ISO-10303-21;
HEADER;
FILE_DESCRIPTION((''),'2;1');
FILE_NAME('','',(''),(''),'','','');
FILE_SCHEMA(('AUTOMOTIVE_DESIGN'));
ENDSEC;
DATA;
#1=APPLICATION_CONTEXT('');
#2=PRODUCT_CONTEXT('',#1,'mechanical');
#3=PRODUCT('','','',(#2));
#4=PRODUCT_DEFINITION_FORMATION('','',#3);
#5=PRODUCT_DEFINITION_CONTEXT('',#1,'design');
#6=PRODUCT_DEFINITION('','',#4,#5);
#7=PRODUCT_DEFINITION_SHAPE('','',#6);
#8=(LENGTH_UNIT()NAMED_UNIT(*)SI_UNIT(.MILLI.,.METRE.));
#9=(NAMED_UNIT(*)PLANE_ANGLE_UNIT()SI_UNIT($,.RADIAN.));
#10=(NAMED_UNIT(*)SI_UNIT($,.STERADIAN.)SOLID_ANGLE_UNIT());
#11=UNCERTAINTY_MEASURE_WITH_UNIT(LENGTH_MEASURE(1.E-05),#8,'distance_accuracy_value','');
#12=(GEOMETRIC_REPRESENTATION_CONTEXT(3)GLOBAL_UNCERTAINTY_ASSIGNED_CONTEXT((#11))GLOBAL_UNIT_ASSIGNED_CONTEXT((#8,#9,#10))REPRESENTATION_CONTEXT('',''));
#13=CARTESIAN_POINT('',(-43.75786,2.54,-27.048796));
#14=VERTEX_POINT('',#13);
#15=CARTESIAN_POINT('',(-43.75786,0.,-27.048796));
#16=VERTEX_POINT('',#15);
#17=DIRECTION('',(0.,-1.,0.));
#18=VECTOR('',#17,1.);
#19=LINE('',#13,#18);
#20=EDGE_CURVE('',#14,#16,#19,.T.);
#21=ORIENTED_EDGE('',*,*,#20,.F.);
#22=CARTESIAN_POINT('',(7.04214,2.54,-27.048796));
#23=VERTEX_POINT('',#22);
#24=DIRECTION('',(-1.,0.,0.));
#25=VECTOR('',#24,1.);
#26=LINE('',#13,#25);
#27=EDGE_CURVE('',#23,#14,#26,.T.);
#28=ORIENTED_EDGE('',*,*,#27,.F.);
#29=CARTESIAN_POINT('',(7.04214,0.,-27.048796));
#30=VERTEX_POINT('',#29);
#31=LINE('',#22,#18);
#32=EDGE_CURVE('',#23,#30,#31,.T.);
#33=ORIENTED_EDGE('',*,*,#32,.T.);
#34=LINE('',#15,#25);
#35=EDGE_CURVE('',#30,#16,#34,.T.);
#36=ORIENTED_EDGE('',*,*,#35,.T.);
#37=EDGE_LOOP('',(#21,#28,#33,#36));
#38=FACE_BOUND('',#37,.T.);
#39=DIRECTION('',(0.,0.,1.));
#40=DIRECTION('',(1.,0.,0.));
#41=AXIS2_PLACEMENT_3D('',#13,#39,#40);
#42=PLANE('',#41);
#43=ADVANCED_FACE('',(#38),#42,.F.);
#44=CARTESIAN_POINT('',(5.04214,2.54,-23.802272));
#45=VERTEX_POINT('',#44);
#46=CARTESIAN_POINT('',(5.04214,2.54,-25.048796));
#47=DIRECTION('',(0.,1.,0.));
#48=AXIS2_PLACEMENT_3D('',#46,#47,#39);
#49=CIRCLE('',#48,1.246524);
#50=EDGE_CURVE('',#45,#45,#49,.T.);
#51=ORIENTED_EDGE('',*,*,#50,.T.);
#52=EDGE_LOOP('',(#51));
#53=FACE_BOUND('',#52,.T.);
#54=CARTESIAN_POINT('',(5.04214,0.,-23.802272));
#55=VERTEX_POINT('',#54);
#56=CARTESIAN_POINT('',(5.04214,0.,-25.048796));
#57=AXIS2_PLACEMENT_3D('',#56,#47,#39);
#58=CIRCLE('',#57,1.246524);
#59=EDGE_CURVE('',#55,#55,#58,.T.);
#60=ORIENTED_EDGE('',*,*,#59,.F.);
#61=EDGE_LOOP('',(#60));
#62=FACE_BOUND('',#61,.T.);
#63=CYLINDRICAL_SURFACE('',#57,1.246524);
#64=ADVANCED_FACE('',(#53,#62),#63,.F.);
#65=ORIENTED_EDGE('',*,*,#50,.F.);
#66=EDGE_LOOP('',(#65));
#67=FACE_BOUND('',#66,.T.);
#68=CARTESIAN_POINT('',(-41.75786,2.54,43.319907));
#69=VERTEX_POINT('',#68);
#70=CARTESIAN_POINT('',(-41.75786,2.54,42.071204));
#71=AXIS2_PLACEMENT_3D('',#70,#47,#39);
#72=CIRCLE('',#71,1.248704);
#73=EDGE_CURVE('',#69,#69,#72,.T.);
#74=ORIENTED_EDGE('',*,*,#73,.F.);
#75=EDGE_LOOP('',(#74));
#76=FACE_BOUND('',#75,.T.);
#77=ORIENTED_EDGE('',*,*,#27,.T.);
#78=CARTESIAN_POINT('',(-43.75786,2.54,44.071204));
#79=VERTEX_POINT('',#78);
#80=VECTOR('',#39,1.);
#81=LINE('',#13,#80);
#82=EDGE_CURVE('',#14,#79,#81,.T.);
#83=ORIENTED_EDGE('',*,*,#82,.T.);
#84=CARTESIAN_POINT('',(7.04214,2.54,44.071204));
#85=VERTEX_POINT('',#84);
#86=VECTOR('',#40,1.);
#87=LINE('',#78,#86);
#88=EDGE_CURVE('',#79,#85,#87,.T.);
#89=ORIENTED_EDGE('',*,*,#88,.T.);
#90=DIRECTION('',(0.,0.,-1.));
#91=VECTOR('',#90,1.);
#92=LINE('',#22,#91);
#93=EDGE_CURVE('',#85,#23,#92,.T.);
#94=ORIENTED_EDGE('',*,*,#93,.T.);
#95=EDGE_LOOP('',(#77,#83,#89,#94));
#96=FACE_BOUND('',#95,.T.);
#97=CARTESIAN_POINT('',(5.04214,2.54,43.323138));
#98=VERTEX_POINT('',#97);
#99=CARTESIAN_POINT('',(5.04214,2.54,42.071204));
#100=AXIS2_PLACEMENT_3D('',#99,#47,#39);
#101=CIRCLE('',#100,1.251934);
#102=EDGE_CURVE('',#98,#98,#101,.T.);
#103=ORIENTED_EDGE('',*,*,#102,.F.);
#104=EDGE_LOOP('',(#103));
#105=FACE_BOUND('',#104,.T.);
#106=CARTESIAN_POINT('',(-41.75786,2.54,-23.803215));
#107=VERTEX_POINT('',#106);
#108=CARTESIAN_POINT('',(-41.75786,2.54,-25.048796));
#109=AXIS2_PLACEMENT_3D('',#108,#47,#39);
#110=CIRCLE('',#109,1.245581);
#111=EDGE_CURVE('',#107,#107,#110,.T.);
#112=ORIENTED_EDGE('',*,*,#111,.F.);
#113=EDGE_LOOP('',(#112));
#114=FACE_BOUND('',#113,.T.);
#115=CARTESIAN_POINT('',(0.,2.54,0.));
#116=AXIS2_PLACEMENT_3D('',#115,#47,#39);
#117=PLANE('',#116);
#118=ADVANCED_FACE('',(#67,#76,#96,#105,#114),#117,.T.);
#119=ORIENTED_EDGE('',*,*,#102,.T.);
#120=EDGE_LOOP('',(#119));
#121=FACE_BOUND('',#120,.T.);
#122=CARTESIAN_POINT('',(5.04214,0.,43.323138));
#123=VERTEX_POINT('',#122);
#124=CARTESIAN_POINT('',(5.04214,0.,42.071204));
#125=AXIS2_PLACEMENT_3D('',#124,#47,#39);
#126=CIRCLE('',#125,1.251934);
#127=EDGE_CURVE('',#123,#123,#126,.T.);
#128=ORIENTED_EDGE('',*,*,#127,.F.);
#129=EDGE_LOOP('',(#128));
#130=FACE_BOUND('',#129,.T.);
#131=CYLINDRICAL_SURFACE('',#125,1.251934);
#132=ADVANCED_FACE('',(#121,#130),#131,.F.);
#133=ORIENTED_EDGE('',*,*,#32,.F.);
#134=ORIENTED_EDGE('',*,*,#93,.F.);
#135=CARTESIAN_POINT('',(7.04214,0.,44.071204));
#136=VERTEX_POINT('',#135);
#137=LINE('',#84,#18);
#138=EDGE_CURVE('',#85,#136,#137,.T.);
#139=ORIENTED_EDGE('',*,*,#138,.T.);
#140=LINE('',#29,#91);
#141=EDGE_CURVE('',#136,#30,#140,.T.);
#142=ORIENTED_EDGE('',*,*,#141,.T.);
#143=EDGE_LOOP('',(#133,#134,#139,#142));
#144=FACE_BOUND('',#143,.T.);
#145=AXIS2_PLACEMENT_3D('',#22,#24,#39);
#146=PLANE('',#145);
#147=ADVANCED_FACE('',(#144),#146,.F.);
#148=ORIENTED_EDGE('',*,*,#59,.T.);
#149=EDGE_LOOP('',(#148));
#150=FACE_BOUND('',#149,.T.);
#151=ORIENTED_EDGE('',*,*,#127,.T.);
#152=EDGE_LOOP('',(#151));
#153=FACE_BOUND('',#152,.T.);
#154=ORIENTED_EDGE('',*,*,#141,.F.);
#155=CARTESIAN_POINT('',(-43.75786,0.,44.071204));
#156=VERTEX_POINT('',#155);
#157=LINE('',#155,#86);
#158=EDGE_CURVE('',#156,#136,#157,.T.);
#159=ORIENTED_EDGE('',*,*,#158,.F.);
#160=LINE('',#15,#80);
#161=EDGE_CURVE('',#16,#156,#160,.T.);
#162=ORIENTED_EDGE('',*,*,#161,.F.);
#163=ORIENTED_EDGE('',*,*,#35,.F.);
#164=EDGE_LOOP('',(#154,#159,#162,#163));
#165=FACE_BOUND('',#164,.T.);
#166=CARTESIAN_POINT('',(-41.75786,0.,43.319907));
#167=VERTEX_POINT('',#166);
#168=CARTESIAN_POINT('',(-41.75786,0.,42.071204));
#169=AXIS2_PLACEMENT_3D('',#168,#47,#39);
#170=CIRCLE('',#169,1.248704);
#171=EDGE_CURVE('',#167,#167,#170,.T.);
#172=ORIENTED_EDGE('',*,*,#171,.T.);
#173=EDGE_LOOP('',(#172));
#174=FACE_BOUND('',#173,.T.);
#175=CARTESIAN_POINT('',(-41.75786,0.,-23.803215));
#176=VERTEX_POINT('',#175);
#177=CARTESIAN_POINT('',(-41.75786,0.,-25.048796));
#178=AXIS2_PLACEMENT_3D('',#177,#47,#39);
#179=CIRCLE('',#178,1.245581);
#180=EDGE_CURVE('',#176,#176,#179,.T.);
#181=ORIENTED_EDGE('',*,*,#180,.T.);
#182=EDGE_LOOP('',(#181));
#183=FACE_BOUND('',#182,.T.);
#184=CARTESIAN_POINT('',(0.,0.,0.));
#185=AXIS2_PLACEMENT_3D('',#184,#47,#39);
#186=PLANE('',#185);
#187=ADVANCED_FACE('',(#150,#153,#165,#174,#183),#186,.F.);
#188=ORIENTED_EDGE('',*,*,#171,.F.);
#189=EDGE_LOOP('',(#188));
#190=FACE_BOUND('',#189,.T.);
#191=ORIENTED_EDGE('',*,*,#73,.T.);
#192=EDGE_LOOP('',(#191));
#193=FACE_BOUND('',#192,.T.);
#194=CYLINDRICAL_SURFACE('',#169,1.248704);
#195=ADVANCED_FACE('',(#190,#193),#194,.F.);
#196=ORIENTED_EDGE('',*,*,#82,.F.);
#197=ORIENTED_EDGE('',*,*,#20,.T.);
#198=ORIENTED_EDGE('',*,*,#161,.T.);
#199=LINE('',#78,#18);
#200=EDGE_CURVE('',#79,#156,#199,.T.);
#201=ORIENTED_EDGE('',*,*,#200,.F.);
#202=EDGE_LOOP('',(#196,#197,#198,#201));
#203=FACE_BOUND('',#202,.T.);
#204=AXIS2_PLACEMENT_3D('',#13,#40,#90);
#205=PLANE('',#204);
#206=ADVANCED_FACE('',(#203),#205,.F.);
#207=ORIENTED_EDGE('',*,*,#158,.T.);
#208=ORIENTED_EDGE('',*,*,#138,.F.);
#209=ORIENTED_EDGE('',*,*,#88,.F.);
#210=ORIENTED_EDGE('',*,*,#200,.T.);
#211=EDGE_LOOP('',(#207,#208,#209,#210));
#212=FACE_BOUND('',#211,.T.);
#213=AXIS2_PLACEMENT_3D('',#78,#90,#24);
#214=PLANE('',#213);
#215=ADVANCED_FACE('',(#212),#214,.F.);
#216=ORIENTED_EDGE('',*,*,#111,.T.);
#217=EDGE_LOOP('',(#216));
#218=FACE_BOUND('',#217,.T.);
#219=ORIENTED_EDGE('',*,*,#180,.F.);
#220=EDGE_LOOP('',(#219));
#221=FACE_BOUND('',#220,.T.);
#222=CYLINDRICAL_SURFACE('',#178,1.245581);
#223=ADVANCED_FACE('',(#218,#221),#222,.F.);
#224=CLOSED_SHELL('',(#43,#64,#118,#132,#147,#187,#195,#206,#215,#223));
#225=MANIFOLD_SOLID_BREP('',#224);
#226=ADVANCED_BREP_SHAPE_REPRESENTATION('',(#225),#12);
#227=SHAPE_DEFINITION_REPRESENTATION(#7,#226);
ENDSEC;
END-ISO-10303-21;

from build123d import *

# Parameters (mm, degrees)
SKETCH1_W           = 50.8
SKETCH1_H           = 71.12
BOSS_EXTRUDE1_DEPTH = 2.54
SKETCH2_R           = 1.245581387
SKETCH2_R_2         = 1.246523933
SKETCH2_R_3         = 1.248703554
SKETCH2_R_4         = 1.251934436
CUT_EXTRUDE1_DEPTH  = 63.156840816


with BuildPart() as part:
    # Sketch1 → Boss-Extrude1 (new body)
    with BuildSketch(Plane(origin=(0, 0, 0), x_dir=(1, 0, 0), z_dir=(0, 1, 0))):
        with Locations((-18.357859546, -8.511203616)):
            Rectangle(SKETCH1_W, SKETCH1_H)
    extrude(amount=BOSS_EXTRUDE1_DEPTH)

    # Sketch2 → Cut-Extrude1 (cut, through all)
    with BuildSketch(Plane(origin=(0, 2.54, 0), x_dir=(1, 0, 0), z_dir=(0, 1, 0))):
        with Locations(Location((-41.757859546, 25.048796384, 0), (0, 0, 270))):
            Circle(SKETCH2_R)
        with Locations(Location((5.042140454, 25.048796384, 0), (0, 0, 270))):
            Circle(SKETCH2_R_2)
        with Locations(Location((-41.757859546, -42.071203616, 0), (0, 0, 270))):
            Circle(SKETCH2_R_3)
        with Locations(Location((5.042140454, -42.071203616, 0), (0, 0, 270))):
            Circle(SKETCH2_R_4)
    extrude(amount=-CUT_EXTRUDE1_DEPTH, mode=Mode.SUBTRACT)


solid = part.part
